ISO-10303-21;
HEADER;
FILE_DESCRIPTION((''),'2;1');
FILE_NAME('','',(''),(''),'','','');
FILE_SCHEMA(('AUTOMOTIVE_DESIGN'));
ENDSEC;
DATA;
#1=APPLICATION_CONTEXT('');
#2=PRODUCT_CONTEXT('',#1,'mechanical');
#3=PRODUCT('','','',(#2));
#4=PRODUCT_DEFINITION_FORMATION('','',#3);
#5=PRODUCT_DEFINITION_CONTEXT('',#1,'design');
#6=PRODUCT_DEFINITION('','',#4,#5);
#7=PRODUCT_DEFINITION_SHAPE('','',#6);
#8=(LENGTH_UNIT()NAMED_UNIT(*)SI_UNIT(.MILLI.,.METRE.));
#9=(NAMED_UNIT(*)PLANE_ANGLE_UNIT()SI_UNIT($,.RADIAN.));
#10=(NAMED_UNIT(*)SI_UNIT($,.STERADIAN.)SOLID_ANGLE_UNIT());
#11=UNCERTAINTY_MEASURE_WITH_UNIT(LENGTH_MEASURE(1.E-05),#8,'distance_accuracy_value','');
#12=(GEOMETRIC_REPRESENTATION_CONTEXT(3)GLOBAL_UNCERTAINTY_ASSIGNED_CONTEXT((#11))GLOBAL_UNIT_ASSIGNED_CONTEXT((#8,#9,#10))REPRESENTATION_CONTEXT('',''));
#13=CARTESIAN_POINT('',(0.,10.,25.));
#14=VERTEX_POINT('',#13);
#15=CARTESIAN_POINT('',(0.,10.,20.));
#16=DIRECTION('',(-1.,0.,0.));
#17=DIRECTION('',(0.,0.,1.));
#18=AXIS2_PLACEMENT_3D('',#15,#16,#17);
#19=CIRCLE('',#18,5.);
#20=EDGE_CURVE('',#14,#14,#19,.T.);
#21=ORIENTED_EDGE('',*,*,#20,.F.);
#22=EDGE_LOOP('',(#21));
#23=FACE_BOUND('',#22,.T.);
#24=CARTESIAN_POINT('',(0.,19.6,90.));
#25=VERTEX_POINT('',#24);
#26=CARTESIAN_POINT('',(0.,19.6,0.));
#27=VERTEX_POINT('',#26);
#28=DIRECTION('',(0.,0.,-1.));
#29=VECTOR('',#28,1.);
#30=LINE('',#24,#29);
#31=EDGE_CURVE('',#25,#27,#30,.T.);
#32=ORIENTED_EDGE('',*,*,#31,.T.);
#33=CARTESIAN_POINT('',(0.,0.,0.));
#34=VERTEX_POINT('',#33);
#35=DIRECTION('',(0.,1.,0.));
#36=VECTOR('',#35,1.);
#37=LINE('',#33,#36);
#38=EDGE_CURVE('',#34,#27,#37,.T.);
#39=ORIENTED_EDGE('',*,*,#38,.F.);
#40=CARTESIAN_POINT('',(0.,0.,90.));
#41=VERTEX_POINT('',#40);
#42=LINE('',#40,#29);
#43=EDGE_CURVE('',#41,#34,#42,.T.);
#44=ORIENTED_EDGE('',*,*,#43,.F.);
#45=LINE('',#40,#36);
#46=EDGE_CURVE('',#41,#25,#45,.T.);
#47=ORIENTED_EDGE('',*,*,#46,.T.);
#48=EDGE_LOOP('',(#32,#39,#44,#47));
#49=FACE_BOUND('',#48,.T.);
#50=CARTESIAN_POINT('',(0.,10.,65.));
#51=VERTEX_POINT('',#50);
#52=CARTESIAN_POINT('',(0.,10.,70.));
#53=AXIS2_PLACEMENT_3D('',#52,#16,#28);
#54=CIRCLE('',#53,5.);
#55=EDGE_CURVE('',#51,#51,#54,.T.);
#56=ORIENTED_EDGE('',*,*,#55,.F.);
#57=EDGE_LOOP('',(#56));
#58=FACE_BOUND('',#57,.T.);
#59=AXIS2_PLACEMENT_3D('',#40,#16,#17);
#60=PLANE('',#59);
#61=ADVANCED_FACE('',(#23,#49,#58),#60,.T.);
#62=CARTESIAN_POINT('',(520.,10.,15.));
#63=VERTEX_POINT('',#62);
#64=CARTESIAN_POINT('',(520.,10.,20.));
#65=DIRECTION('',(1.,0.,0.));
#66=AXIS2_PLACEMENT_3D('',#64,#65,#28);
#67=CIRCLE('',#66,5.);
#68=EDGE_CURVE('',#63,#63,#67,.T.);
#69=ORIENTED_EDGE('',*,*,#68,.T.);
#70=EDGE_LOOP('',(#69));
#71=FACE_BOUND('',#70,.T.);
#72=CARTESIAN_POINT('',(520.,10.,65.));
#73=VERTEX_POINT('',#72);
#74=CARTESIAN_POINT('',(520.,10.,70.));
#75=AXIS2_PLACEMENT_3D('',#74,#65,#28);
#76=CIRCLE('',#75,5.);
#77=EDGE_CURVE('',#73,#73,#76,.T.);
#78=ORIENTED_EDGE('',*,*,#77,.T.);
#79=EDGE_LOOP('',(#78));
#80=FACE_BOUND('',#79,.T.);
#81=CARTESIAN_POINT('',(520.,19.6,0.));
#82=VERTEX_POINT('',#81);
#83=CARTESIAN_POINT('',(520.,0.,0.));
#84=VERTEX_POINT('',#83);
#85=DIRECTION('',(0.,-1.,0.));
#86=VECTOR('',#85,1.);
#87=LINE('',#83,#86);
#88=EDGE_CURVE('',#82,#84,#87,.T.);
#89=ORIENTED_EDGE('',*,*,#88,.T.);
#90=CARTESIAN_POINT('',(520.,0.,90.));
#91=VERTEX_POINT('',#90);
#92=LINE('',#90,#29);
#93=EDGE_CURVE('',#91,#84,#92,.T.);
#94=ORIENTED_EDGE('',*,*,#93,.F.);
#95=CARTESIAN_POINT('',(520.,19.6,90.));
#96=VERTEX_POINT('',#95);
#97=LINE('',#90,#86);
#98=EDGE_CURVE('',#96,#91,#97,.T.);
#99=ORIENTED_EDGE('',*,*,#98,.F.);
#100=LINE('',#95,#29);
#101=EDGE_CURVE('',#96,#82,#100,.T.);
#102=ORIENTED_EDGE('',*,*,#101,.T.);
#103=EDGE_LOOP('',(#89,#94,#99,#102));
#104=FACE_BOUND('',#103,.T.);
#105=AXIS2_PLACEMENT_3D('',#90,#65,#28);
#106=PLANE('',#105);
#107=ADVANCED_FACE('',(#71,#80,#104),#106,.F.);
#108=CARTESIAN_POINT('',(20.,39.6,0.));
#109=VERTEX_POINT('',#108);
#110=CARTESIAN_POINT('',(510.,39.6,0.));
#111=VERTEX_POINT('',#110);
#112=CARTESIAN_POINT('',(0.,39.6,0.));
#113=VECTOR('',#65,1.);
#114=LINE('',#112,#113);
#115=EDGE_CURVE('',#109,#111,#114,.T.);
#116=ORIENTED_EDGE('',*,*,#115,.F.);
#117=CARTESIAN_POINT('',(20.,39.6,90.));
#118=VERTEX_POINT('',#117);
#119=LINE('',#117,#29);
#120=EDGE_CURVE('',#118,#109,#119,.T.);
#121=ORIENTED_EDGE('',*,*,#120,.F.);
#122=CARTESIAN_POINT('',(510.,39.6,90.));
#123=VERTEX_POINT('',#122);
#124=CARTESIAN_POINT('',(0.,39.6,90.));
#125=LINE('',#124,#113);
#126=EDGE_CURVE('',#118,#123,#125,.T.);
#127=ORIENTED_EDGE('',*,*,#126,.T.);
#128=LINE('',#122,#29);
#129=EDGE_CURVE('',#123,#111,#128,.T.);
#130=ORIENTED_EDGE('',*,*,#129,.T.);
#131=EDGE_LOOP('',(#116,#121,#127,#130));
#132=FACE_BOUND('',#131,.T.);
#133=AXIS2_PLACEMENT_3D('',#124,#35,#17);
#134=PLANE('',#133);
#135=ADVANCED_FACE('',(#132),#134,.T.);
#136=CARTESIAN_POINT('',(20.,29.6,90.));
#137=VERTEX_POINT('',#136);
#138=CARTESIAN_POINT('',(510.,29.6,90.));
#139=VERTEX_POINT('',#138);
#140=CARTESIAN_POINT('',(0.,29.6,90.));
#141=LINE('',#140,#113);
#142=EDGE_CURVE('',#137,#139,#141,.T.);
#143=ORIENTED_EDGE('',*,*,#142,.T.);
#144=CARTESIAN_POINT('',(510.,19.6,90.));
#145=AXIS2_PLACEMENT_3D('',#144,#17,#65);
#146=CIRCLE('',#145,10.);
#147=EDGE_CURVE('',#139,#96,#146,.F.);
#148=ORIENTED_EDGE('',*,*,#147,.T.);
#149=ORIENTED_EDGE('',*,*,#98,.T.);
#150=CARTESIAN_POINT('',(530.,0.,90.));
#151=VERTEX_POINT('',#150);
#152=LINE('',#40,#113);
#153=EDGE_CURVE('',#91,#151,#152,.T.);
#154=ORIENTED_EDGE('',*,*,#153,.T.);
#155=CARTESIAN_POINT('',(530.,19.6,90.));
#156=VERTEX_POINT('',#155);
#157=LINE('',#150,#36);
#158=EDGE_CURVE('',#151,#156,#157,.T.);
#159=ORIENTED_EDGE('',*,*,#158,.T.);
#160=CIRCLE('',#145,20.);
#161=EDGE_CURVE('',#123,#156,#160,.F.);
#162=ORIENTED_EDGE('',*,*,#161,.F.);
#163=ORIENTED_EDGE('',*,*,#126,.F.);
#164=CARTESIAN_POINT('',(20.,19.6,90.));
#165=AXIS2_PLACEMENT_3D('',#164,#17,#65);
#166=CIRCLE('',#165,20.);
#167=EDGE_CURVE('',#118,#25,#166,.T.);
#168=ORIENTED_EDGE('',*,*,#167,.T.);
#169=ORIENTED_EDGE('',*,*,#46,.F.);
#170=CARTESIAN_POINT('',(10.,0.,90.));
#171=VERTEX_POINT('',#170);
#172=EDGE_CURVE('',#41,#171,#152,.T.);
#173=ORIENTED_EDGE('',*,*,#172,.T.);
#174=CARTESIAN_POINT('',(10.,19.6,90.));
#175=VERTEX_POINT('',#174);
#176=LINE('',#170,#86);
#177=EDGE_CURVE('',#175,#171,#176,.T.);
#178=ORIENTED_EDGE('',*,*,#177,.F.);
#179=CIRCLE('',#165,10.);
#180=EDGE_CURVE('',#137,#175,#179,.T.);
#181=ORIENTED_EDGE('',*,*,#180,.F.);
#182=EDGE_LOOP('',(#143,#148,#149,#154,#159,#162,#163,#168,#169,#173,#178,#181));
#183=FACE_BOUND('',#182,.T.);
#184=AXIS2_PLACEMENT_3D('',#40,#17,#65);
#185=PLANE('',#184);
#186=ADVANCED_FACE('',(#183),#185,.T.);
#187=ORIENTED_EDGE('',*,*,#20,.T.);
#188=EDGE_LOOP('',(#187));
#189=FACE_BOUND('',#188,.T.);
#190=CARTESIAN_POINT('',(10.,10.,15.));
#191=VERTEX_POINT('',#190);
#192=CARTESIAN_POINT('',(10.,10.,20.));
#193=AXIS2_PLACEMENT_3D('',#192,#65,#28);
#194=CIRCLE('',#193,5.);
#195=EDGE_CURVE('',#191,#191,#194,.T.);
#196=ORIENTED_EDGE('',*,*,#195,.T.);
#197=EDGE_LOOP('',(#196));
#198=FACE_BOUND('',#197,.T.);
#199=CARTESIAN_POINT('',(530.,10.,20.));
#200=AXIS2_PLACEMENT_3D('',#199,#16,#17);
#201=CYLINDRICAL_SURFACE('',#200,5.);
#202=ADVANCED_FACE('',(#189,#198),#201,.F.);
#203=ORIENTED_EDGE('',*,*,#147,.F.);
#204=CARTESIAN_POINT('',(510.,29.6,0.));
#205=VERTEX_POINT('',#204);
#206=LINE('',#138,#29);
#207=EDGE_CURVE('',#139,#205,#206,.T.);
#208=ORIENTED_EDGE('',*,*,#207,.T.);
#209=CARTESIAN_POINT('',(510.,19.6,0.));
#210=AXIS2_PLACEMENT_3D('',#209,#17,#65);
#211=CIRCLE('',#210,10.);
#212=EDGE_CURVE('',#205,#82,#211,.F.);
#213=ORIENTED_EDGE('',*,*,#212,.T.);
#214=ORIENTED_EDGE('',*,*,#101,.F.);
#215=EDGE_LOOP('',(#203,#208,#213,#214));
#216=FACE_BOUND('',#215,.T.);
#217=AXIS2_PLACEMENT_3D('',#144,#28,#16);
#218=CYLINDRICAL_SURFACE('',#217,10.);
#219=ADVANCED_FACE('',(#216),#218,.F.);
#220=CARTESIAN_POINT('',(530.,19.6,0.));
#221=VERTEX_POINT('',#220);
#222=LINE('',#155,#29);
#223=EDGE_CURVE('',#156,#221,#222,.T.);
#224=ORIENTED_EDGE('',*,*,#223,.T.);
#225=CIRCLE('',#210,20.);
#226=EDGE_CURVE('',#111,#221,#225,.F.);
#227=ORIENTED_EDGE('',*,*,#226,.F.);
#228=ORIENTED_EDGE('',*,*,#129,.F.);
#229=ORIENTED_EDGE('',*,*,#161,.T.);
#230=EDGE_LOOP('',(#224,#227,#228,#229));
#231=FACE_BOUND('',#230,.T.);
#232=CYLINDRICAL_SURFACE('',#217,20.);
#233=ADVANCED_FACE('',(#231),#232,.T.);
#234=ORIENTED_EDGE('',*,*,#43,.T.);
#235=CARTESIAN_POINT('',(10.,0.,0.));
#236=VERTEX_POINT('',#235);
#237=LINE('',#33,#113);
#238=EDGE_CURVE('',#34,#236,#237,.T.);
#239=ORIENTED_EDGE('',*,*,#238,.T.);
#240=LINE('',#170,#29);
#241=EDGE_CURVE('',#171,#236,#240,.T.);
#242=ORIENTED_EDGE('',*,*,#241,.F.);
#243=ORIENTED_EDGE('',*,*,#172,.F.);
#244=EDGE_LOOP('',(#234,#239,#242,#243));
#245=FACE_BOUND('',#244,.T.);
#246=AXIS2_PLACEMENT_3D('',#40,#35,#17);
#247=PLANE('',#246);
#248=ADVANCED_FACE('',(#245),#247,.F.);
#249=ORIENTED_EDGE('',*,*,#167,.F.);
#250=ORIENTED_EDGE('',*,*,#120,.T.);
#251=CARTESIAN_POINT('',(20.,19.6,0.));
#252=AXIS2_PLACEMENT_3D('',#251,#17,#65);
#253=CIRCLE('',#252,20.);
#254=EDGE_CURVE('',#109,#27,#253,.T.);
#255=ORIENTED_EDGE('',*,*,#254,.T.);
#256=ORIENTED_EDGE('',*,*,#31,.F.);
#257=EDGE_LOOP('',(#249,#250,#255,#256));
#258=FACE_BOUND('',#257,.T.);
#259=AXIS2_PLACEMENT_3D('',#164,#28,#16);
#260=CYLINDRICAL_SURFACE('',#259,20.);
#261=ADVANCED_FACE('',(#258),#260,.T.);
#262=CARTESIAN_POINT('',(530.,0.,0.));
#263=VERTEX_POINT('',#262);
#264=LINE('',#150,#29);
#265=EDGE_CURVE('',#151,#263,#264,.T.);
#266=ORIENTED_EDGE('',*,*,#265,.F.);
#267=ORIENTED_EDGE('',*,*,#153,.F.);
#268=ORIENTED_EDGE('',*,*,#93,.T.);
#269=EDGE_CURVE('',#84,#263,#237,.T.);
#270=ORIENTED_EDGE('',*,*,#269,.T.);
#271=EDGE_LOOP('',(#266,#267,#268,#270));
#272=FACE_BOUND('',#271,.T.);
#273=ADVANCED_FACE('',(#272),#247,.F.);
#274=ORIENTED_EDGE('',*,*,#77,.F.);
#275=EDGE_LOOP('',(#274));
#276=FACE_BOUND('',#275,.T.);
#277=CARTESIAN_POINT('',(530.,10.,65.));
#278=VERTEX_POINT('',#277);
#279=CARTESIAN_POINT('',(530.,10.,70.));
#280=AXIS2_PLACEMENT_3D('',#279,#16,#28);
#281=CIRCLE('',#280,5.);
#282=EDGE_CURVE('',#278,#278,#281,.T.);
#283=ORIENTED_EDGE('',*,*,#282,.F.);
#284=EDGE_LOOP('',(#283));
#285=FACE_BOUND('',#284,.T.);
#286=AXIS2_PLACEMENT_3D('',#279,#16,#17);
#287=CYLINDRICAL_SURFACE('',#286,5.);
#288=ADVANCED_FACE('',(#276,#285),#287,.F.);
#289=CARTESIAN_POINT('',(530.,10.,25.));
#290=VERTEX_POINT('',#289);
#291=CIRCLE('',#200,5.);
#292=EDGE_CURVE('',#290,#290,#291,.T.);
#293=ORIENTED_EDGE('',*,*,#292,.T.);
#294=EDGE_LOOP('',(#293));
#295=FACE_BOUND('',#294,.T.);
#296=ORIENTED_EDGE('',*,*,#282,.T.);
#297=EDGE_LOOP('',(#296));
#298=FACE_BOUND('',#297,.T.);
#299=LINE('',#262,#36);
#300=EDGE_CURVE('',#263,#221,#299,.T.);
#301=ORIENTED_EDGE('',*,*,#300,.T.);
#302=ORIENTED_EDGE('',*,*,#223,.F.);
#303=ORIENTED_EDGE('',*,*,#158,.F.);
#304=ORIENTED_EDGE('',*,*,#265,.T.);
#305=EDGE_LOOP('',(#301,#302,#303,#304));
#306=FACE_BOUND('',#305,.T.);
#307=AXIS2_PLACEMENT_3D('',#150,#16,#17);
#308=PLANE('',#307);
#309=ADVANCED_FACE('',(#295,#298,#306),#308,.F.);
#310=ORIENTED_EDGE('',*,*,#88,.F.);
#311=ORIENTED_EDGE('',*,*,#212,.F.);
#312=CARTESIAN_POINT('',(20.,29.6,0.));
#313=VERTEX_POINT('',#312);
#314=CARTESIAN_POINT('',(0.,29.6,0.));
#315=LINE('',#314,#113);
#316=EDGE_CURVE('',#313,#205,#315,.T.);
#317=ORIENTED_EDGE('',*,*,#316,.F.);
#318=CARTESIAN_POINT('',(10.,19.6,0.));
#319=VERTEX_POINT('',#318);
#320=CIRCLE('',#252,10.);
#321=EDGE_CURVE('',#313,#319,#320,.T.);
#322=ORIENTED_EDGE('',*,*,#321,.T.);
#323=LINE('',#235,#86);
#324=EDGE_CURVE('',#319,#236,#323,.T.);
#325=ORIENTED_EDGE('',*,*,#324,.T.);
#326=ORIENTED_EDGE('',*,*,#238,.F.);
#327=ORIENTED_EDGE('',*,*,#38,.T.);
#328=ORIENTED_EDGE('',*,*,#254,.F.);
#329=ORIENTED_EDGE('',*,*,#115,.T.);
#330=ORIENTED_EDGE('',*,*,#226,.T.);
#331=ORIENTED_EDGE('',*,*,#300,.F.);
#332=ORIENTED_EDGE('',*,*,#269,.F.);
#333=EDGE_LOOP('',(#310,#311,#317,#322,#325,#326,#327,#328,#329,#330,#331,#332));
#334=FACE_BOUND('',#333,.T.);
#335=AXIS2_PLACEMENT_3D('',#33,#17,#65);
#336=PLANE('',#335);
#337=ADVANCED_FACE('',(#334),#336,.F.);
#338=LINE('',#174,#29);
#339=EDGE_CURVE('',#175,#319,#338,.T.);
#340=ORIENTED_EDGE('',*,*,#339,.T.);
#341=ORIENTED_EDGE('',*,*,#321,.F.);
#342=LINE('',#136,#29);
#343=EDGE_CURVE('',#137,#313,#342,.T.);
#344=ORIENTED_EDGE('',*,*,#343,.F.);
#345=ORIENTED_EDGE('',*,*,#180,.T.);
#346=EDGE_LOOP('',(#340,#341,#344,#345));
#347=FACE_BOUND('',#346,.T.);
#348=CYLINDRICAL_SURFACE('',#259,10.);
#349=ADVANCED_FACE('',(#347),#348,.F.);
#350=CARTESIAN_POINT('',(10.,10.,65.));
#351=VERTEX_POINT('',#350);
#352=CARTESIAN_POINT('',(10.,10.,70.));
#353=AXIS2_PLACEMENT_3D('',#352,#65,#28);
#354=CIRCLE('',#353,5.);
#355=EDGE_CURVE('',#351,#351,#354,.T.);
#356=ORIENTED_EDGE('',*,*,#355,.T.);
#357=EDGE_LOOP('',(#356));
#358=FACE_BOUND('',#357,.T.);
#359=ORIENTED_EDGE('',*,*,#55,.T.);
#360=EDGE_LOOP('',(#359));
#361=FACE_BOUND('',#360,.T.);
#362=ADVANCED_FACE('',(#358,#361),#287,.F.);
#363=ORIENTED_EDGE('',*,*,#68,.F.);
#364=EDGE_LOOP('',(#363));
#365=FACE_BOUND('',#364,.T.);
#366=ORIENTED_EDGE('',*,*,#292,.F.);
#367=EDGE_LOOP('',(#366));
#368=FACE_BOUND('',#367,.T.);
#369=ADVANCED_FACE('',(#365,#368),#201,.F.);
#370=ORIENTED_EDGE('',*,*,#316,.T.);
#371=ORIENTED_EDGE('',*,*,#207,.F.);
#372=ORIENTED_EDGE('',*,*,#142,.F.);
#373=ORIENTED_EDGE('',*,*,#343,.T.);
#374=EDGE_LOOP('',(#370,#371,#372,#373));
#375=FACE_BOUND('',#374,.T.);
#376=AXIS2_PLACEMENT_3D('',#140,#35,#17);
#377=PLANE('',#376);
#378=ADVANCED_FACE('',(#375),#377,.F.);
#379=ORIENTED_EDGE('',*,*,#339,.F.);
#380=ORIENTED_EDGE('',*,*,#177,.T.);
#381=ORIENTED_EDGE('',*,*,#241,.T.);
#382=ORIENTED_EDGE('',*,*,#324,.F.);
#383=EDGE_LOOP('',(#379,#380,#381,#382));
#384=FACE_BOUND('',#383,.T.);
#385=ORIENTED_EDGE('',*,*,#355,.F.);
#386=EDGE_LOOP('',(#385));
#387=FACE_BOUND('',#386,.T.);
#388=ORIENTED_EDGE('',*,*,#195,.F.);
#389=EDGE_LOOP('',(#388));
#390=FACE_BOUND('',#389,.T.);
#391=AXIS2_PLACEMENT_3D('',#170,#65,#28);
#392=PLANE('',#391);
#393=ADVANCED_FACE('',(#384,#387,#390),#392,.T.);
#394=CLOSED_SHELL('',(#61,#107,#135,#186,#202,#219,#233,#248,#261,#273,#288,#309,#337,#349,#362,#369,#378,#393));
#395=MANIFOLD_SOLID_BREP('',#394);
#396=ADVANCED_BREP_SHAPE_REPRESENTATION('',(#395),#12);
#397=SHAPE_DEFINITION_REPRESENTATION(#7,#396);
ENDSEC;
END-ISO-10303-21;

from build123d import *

# Parameters (mm, degrees)
BOSS_EXTRUDE2_DEPTH = 90
SKETCH2_R           = 5
CUT_EXTRUDE1_DEPTH  = 540.043745906


with BuildPart() as part:
    # Sketch1 → Boss-Extrude2 (new body)
    with BuildSketch(Plane.XY):
        with BuildLine():
            Line((20, 29.6), (510, 29.6))
            ThreePointArc((510, 29.6), (517.071067812, 26.671067812), (520, 19.6))
            Line((520, 19.6), (520, 0))
            Line((520, 0), (530, 0))
            Line((530, 0), (530, 19.6))
            ThreePointArc((530, 19.6), (524.142135624, 33.742135624), (510, 39.6))
            Line((510, 39.6), (20, 39.6))
            ThreePointArc((20, 39.6), (5.857864376, 33.742135624), (0, 19.6))
            Line((0, 19.6), (0, 0))
            Line((0, 0), (10, 0))
            Line((10, 0), (10, 19.6))
            ThreePointArc((10, 19.6), (12.928932188, 26.671067812), (20, 29.6))
        make_face()
    extrude(amount=BOSS_EXTRUDE2_DEPTH)

    # Sketch2 → Cut-Extrude1 (cut, through all)
    with BuildSketch(Plane.ZY):
        with Locations((20, 10)):
            Circle(SKETCH2_R)
        with Locations(Location((70, 10, 0), (0, 0, 180))):
            Circle(SKETCH2_R)
    extrude(amount=-CUT_EXTRUDE1_DEPTH, mode=Mode.SUBTRACT)


solid = part.part
